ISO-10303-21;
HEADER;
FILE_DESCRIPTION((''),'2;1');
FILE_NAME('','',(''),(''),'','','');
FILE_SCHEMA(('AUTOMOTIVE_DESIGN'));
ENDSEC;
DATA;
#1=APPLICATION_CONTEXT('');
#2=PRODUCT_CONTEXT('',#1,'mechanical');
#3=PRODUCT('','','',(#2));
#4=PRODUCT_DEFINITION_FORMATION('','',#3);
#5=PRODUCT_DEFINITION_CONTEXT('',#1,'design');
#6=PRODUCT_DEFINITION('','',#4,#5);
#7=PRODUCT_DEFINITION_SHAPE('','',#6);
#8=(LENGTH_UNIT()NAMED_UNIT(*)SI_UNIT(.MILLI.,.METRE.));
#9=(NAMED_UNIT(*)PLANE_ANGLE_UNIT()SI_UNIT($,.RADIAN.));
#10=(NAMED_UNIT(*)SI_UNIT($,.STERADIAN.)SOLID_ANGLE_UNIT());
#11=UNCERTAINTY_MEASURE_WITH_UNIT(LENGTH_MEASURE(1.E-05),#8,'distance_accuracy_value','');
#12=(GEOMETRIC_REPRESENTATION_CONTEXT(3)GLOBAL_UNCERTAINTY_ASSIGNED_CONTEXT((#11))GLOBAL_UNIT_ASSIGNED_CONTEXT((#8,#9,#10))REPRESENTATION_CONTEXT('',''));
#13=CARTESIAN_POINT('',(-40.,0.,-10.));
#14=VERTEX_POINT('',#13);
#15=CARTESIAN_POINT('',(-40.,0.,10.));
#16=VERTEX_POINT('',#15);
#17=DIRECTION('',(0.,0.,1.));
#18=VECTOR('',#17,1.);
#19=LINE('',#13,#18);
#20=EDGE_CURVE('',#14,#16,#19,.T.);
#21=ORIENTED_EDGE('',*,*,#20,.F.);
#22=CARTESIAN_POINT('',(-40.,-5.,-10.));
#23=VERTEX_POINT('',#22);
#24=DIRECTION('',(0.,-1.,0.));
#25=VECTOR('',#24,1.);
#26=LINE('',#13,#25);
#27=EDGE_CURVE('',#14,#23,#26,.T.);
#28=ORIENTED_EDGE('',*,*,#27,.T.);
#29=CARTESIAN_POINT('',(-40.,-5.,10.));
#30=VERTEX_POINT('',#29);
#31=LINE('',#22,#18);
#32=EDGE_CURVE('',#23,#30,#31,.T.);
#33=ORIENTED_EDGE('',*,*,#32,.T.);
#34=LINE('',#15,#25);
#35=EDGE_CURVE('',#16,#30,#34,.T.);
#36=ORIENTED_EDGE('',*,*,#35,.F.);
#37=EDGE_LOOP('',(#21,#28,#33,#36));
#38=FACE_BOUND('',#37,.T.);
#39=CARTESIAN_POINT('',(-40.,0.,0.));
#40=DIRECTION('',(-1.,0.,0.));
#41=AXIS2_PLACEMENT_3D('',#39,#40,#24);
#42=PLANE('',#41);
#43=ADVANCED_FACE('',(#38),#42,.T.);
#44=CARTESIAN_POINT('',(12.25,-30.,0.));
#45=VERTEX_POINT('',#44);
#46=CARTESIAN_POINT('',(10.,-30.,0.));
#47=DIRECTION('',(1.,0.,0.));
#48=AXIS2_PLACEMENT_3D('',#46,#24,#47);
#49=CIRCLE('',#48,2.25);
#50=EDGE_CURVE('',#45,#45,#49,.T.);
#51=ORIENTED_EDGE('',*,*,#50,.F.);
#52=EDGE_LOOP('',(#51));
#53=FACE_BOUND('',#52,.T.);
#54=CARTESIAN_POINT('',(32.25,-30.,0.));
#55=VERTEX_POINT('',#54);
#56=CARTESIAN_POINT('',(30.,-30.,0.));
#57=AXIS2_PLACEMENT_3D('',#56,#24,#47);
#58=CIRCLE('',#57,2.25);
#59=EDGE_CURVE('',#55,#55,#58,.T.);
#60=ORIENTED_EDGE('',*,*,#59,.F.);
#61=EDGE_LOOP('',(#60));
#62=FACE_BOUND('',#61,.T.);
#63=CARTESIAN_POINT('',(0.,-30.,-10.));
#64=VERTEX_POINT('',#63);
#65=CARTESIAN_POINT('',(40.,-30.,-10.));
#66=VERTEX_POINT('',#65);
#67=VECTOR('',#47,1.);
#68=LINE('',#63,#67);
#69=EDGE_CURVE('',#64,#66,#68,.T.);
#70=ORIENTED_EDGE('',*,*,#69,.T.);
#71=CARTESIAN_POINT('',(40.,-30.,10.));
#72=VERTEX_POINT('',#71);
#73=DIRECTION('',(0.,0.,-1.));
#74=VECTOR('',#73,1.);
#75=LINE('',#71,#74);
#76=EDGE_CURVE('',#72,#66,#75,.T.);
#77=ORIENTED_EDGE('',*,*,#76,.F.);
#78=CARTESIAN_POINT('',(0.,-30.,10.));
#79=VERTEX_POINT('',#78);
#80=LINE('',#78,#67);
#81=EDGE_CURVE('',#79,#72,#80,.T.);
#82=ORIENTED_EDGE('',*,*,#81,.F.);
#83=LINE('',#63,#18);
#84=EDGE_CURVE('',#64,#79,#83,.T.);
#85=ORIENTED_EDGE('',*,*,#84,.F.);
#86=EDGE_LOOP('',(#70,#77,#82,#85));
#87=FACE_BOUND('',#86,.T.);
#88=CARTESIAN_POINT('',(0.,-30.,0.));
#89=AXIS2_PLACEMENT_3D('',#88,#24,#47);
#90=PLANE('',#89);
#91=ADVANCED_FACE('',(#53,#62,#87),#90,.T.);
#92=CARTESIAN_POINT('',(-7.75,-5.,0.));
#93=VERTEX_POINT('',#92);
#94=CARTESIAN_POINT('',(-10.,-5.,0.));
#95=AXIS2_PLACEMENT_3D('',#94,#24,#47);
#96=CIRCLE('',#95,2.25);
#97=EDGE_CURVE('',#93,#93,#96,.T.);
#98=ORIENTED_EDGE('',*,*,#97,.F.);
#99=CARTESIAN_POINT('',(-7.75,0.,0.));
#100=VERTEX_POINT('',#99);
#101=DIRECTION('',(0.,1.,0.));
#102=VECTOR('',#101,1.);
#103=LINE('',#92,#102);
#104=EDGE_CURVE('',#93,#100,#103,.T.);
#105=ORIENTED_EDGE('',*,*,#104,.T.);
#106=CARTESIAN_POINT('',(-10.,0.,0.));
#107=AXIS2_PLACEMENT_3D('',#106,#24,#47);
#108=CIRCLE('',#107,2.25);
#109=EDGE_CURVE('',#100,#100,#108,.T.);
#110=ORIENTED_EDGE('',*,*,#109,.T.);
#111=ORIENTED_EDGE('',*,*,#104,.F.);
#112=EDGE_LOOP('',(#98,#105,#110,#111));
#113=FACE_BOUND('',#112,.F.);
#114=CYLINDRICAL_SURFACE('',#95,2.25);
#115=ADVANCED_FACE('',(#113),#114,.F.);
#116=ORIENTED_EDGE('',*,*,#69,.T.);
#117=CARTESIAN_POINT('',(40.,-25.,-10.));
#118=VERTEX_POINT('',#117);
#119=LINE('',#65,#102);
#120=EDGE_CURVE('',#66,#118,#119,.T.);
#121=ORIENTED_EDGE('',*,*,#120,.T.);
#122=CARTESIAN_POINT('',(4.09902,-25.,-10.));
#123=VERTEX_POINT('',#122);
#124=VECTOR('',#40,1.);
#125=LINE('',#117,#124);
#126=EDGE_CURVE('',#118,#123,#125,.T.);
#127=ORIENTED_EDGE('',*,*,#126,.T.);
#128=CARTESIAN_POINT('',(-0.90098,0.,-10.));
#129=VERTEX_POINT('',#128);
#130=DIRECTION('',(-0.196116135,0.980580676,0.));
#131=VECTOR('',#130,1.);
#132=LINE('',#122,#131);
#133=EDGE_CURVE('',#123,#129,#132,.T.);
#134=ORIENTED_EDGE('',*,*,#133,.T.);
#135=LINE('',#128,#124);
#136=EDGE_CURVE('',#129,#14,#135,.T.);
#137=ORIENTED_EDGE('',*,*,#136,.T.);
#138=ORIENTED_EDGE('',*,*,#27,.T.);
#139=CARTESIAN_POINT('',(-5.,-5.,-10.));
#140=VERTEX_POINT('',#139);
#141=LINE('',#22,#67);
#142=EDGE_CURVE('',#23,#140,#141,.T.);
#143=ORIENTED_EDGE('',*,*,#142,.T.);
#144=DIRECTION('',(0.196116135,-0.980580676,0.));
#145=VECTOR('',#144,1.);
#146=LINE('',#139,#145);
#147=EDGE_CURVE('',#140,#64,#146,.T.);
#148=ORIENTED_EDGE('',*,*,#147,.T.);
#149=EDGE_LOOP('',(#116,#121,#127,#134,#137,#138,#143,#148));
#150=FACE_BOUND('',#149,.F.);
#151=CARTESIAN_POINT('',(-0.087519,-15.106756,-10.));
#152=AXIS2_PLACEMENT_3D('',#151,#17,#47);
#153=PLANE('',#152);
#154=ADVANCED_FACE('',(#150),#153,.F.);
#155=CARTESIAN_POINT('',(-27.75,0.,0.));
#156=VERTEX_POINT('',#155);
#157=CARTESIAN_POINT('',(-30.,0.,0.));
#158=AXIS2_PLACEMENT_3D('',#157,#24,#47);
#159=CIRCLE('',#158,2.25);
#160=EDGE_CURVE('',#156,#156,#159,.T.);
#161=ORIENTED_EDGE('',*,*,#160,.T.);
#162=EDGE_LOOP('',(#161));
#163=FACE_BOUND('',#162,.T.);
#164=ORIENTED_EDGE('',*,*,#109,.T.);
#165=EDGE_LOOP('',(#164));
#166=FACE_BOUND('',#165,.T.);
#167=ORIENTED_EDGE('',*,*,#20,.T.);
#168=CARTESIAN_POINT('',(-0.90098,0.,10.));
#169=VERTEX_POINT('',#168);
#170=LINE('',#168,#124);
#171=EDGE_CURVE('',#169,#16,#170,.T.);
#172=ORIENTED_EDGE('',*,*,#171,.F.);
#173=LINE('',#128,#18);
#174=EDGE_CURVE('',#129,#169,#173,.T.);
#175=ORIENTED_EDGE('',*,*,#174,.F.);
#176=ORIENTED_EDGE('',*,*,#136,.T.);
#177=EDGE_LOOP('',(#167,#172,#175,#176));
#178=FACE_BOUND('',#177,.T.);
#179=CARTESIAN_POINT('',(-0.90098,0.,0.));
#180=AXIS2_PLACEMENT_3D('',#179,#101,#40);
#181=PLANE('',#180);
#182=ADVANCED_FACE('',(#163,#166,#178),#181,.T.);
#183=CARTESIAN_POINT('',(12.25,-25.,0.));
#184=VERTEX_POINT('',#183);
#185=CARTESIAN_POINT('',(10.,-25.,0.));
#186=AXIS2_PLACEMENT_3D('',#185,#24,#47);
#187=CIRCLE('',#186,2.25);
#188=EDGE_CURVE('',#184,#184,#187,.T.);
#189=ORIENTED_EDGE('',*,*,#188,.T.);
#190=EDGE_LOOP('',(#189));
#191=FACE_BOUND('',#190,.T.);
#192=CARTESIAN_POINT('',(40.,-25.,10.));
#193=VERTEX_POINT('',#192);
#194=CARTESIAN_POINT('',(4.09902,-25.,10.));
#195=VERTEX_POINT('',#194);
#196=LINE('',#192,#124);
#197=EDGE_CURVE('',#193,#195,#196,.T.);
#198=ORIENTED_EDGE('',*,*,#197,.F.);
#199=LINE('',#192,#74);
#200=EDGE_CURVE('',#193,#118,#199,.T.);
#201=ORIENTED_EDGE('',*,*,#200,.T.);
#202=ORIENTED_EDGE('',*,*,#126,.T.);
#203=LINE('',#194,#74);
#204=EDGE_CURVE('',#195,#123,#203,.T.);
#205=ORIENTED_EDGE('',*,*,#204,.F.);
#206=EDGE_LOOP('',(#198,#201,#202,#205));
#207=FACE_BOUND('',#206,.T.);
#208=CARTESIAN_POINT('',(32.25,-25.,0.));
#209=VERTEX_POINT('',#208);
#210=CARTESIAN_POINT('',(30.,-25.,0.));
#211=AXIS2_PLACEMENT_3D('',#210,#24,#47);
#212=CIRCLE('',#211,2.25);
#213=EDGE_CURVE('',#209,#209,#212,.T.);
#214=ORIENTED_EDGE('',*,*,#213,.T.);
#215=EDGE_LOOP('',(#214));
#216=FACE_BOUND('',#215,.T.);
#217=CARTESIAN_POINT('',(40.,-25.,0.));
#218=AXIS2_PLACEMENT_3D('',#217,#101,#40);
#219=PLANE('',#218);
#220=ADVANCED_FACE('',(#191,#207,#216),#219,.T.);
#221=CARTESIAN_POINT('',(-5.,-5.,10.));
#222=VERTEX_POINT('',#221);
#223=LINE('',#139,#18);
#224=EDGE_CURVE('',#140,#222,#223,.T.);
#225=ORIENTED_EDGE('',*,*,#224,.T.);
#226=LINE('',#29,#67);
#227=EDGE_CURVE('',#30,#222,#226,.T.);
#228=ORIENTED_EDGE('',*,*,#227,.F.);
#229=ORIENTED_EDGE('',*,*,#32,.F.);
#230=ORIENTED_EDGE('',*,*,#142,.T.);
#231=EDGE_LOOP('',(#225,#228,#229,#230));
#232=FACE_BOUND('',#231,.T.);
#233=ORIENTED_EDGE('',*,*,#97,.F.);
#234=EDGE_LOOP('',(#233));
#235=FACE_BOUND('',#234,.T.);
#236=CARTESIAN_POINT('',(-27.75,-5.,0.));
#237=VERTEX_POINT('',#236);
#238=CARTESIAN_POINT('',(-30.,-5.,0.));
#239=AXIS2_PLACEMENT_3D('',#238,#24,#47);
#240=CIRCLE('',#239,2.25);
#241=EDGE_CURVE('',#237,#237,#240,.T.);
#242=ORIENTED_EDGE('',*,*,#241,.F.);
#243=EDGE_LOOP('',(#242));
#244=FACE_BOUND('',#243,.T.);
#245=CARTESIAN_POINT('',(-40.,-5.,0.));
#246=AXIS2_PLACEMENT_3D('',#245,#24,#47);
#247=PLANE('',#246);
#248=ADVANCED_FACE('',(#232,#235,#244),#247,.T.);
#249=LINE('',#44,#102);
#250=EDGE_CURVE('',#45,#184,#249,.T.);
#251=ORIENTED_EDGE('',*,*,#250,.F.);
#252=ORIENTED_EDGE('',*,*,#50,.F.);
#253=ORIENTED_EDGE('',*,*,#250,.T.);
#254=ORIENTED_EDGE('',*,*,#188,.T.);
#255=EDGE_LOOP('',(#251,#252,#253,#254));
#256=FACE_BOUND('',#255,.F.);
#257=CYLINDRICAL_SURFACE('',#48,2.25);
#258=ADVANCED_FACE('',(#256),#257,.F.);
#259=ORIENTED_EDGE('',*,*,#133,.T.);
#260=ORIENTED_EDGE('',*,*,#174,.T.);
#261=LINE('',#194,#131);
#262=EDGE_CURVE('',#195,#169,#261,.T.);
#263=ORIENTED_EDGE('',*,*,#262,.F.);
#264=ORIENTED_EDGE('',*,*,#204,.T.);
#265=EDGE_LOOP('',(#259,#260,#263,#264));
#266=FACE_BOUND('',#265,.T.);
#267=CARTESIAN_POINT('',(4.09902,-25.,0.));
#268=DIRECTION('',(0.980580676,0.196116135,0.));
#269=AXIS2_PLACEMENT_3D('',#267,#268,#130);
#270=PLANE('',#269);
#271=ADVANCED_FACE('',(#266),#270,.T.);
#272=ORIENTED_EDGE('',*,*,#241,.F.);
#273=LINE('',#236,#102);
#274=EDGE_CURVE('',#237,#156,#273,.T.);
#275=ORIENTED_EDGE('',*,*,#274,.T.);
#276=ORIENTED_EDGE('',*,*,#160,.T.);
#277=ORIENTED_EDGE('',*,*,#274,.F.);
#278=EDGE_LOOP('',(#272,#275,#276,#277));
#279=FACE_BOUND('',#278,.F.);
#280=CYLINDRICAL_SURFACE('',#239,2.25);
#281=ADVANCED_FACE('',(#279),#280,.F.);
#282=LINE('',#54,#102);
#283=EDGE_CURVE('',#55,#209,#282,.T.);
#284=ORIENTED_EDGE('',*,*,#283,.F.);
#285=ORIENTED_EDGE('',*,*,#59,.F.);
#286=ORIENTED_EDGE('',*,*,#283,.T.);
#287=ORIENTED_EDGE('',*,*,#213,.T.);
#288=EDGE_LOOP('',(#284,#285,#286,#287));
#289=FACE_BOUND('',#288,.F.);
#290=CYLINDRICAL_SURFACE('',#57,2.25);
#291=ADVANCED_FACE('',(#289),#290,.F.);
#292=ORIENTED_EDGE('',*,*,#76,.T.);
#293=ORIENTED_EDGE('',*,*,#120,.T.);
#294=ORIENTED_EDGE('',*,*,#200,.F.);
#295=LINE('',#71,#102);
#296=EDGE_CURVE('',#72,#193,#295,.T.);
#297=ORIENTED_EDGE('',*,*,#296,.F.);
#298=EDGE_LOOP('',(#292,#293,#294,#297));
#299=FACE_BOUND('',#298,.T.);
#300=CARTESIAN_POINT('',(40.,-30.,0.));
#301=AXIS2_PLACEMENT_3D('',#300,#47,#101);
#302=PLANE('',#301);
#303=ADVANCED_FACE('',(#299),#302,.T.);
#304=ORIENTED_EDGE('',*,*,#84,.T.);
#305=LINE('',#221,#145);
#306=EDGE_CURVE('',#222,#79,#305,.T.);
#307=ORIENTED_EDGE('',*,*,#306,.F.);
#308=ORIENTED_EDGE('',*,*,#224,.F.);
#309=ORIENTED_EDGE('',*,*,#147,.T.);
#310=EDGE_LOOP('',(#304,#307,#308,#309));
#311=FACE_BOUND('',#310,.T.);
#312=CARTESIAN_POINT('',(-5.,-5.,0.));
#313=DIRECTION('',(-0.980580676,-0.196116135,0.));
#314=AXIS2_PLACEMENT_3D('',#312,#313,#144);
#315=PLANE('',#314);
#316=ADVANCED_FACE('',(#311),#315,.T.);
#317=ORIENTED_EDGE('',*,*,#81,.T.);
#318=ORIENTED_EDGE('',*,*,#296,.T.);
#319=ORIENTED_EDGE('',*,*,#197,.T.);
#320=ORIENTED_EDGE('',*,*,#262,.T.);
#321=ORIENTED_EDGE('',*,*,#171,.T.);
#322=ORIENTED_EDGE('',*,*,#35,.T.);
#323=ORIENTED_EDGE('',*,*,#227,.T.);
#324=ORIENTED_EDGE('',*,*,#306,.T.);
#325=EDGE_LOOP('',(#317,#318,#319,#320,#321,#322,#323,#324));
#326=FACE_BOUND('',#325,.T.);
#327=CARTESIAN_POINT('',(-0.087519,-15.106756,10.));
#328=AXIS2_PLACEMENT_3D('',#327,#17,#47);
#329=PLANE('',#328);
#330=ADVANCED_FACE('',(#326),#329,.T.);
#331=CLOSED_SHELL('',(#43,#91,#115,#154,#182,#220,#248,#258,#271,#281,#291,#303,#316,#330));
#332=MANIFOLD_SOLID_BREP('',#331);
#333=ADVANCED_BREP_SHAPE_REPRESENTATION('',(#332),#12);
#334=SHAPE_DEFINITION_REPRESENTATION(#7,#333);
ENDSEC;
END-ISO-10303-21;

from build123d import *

# Parameters (mm, degrees)
F1_DEPTH = 10
F2_R     = 2.25
F3_DEPTH = 5
F4_R     = 2.25
F5_DEPTH = 5


with BuildPart() as f1:
    # F0 (on Top) → F1 (new body, symmetric)
    with BuildSketch(Plane.XY):
        Polygon((4.0990195136, -25), (-0.9009804864, 0), (-40, 0), (-40, -5), (-5, -5), (0, -30), (40, -30), (40, -25), align=None)
    extrude(amount=F1_DEPTH, both=True)

    # F2 (on face) → F3 (cut, through all)
    with BuildSketch(Plane.XZ.offset(5)):
        with Locations((-30, 0)):
            Circle(F2_R)
        with Locations((-10, 0)):
            Circle(F2_R)
    extrude(amount=-F3_DEPTH, mode=Mode.SUBTRACT)

    # F4 (on face) → F5 (cut, through all)
    with BuildSketch(Plane.XZ.offset(30)):
        with Locations((10, 0)):
            Circle(F4_R)
        with Locations((30, 0)):
            Circle(F4_R)
    extrude(amount=-F5_DEPTH, mode=Mode.SUBTRACT)


solid = f1.part
